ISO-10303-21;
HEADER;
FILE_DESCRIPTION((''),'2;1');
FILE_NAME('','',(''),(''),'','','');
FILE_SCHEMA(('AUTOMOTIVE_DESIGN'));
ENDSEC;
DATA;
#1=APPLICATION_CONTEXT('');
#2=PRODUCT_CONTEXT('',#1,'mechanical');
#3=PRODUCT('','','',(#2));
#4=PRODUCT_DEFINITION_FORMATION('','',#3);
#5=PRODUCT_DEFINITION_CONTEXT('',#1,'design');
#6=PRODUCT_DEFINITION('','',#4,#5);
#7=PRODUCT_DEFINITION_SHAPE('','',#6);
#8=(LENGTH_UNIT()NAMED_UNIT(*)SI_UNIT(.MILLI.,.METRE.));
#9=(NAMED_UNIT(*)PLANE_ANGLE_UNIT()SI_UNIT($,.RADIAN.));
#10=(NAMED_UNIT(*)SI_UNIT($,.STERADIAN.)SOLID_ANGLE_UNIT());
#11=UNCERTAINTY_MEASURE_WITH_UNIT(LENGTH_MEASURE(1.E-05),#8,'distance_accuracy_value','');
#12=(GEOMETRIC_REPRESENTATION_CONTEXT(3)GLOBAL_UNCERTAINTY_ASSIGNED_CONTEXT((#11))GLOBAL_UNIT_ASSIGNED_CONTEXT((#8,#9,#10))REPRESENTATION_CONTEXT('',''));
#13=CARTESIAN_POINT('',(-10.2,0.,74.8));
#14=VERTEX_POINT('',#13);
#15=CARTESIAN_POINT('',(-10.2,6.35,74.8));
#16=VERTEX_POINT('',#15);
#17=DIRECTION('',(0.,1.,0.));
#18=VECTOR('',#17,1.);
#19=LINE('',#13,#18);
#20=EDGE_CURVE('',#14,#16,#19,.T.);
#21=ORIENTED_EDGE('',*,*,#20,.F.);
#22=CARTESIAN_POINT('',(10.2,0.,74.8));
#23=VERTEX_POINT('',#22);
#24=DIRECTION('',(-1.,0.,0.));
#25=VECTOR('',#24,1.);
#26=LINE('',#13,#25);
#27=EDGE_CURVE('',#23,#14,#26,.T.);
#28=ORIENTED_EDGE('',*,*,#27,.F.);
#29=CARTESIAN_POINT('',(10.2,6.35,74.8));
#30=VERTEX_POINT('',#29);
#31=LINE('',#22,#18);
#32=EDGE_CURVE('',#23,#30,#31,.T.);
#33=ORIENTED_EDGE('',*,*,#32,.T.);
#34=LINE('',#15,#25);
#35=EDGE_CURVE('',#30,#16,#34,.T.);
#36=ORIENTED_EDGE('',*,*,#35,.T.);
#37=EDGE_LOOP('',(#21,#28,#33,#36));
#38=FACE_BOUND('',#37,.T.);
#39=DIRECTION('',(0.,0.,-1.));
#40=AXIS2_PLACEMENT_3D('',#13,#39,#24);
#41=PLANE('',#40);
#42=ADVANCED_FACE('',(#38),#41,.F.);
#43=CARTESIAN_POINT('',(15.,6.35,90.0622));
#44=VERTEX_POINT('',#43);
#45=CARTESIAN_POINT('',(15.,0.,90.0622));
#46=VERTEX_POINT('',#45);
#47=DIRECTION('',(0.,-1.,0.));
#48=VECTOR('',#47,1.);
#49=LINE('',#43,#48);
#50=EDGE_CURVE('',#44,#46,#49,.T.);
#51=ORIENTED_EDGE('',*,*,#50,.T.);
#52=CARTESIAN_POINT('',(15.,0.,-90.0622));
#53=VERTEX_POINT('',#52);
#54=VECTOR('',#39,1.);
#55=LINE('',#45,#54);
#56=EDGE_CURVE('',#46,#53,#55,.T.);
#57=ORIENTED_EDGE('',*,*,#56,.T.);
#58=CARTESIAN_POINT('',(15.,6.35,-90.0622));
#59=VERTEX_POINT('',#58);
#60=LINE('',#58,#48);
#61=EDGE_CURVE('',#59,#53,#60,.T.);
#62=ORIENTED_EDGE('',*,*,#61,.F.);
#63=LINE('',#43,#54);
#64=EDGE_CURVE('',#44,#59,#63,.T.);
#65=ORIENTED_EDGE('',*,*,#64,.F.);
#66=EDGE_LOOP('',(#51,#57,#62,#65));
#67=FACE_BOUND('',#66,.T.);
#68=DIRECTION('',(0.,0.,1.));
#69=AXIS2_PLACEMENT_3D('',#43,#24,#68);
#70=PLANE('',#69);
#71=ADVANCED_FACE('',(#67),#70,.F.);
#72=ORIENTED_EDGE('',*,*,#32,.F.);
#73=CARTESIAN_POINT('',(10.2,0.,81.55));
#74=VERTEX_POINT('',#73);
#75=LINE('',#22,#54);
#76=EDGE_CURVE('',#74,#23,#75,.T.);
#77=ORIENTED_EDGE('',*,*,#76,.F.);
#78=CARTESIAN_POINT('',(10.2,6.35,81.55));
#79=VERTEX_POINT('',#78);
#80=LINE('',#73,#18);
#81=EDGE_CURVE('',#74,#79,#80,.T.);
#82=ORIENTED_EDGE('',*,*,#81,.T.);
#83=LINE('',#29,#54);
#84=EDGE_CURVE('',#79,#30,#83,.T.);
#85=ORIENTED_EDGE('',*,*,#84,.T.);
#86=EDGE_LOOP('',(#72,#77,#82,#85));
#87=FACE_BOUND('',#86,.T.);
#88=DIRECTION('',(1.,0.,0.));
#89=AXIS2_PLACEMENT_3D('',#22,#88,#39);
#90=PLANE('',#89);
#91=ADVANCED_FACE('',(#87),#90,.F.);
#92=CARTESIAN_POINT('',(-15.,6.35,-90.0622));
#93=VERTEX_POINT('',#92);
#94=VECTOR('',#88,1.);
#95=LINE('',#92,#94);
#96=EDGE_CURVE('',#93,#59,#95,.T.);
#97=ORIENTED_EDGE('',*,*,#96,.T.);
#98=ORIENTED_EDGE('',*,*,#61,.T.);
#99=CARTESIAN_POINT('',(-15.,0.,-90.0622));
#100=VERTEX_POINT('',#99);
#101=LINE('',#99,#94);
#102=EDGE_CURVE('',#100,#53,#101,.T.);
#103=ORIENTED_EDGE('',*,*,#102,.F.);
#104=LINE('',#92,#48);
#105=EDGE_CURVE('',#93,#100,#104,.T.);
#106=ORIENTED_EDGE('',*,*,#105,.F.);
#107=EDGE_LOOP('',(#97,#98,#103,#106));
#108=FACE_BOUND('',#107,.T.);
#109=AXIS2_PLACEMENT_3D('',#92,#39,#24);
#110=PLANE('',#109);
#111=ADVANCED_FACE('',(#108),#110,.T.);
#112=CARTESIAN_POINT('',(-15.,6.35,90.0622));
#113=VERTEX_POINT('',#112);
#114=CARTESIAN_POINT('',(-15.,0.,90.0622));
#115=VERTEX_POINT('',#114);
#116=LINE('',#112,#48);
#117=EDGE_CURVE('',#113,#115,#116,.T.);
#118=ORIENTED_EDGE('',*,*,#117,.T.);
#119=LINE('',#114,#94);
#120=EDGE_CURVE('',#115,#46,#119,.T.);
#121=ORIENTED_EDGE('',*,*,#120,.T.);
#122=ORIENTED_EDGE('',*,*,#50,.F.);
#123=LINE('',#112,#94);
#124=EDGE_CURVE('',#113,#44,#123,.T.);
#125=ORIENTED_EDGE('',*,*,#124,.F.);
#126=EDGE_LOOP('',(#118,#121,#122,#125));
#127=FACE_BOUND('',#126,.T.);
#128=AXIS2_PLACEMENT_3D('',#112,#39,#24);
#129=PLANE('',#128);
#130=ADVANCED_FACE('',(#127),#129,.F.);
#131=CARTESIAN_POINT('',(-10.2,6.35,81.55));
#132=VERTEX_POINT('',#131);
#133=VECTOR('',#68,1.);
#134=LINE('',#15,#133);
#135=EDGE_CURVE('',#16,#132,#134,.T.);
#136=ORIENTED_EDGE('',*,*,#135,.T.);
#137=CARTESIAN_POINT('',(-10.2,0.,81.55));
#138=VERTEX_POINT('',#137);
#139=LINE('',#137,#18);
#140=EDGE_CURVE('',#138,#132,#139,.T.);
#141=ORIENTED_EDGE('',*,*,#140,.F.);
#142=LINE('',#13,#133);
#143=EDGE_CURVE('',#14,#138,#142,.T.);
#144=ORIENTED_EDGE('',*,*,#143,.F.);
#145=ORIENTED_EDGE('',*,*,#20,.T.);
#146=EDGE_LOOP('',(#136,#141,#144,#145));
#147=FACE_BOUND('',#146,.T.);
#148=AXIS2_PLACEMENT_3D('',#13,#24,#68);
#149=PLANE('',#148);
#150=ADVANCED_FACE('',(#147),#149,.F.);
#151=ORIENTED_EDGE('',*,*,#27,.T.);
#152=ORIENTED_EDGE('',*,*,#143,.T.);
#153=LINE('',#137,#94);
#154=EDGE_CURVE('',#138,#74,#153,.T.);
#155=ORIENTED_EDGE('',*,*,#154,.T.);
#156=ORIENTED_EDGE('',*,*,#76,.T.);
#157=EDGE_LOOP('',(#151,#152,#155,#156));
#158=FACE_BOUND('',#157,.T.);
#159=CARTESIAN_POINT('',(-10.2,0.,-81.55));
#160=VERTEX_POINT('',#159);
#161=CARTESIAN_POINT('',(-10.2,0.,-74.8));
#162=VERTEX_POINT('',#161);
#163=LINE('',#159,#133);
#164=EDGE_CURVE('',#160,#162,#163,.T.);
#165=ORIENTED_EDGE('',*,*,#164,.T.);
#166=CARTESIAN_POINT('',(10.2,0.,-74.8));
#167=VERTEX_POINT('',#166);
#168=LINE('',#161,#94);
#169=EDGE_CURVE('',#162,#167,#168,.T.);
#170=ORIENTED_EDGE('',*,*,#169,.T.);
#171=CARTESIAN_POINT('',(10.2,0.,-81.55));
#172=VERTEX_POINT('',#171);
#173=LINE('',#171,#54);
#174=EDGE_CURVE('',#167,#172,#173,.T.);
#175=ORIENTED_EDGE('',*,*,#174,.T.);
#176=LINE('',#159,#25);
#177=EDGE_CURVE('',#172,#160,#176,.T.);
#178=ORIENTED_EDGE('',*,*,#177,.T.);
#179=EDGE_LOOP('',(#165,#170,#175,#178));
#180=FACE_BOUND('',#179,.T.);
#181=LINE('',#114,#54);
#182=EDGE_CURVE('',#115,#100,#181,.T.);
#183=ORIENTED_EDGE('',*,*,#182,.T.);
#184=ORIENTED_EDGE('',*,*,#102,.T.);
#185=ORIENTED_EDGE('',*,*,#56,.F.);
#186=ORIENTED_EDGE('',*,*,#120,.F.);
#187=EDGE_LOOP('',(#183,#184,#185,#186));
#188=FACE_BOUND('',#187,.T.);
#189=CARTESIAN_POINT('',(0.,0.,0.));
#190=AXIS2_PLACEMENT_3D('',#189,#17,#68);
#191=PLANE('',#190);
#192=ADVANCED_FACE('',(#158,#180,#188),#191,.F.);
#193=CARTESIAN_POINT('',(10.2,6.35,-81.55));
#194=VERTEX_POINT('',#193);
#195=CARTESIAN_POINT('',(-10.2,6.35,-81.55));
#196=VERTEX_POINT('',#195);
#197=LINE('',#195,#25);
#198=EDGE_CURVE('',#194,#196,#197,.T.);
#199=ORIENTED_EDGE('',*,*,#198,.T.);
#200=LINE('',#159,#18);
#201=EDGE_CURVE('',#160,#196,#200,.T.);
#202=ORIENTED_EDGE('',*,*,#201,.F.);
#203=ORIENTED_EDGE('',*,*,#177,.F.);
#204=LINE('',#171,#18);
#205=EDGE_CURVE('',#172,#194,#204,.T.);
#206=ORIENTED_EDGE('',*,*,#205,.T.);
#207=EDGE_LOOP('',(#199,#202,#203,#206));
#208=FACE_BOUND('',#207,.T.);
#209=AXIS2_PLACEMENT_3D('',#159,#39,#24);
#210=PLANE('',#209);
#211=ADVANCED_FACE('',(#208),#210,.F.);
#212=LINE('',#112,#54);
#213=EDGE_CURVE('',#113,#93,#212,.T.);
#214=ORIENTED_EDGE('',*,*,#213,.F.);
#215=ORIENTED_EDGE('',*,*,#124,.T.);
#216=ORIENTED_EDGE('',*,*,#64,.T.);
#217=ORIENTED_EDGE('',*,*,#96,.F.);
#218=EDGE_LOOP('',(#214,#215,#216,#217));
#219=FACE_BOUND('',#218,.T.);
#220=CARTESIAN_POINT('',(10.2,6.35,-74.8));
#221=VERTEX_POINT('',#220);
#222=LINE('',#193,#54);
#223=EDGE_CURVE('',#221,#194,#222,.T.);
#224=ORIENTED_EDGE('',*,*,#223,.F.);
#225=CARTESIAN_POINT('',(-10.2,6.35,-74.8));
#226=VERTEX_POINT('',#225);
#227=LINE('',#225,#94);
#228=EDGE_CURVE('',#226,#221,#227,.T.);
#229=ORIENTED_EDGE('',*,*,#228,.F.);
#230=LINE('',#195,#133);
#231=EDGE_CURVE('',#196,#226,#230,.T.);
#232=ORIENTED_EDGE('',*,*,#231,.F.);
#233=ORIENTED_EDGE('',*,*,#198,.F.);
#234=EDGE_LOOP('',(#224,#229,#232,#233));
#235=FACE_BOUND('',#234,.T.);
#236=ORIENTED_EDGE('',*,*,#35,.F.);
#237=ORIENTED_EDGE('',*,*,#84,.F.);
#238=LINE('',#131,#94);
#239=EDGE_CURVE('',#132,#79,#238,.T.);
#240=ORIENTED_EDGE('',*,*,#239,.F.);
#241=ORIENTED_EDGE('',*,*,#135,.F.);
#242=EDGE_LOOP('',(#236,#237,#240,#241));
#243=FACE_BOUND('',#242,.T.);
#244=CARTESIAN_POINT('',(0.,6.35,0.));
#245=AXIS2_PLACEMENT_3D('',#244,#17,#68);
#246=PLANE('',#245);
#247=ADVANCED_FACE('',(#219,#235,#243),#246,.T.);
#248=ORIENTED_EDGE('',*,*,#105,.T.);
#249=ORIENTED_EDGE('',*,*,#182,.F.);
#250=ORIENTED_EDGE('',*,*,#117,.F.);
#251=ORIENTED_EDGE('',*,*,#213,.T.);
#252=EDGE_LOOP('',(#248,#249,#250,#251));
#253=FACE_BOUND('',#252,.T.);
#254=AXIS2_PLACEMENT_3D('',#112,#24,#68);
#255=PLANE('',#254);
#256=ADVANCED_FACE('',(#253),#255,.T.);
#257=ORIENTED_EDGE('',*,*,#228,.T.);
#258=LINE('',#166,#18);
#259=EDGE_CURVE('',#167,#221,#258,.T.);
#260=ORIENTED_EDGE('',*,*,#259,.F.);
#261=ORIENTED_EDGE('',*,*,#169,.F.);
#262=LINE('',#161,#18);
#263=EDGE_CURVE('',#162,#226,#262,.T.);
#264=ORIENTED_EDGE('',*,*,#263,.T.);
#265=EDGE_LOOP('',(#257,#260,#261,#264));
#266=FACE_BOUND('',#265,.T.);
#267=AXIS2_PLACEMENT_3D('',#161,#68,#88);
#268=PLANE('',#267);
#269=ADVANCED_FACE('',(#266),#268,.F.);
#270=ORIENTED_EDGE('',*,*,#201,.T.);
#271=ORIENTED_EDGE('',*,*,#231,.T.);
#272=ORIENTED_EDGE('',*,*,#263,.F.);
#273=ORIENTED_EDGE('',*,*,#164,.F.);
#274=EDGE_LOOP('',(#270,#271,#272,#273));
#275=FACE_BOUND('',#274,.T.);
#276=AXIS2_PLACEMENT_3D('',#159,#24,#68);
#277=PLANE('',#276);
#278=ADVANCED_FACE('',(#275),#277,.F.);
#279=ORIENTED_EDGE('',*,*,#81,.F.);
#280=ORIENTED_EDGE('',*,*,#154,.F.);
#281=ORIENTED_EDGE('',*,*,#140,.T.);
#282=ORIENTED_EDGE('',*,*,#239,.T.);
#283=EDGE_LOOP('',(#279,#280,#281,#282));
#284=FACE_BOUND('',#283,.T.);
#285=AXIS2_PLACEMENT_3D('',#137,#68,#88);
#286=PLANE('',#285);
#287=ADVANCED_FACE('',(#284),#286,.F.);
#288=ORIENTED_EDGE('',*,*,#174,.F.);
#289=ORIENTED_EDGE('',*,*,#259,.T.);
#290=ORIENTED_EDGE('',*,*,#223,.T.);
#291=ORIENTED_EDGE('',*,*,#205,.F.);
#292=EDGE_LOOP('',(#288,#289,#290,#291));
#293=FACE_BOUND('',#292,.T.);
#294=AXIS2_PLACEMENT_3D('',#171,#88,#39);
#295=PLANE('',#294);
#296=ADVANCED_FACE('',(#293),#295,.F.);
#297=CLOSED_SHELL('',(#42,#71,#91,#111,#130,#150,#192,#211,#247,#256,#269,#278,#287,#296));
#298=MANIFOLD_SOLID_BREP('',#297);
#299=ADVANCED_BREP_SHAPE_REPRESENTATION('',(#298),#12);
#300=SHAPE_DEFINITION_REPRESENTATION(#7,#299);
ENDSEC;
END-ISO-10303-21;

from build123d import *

# Parameters (mm, degrees)
SKETCH1_W           = 30
SKETCH1_H           = 180.1244
BOSS_EXTRUDE1_DEPTH = 6.35
SKETCH2_W           = 20.4
SKETCH2_H           = 6.75
CUT_EXTRUDE1_DEPTH  = 6.35


with BuildPart() as part:
    # Sketch1 → Boss-Extrude1 (new body)
    with BuildSketch(Plane(origin=(0, 0, 0), x_dir=(1, 0, 0), z_dir=(0, 1, 0))):
        Rectangle(SKETCH1_W, SKETCH1_H)
    extrude(amount=BOSS_EXTRUDE1_DEPTH)

    # Sketch2 → Cut-Extrude1 (cut)
    with BuildSketch(Plane(origin=(0, 6.35, 0), x_dir=(1, 0, 0), z_dir=(0, 1, 0))):
        with Locations((0, 78.175)):
            Rectangle(SKETCH2_W, SKETCH2_H)
        with Locations((0, -78.175)):
            Rectangle(SKETCH2_W, SKETCH2_H)
    extrude(amount=-CUT_EXTRUDE1_DEPTH, mode=Mode.SUBTRACT)


solid = part.part
